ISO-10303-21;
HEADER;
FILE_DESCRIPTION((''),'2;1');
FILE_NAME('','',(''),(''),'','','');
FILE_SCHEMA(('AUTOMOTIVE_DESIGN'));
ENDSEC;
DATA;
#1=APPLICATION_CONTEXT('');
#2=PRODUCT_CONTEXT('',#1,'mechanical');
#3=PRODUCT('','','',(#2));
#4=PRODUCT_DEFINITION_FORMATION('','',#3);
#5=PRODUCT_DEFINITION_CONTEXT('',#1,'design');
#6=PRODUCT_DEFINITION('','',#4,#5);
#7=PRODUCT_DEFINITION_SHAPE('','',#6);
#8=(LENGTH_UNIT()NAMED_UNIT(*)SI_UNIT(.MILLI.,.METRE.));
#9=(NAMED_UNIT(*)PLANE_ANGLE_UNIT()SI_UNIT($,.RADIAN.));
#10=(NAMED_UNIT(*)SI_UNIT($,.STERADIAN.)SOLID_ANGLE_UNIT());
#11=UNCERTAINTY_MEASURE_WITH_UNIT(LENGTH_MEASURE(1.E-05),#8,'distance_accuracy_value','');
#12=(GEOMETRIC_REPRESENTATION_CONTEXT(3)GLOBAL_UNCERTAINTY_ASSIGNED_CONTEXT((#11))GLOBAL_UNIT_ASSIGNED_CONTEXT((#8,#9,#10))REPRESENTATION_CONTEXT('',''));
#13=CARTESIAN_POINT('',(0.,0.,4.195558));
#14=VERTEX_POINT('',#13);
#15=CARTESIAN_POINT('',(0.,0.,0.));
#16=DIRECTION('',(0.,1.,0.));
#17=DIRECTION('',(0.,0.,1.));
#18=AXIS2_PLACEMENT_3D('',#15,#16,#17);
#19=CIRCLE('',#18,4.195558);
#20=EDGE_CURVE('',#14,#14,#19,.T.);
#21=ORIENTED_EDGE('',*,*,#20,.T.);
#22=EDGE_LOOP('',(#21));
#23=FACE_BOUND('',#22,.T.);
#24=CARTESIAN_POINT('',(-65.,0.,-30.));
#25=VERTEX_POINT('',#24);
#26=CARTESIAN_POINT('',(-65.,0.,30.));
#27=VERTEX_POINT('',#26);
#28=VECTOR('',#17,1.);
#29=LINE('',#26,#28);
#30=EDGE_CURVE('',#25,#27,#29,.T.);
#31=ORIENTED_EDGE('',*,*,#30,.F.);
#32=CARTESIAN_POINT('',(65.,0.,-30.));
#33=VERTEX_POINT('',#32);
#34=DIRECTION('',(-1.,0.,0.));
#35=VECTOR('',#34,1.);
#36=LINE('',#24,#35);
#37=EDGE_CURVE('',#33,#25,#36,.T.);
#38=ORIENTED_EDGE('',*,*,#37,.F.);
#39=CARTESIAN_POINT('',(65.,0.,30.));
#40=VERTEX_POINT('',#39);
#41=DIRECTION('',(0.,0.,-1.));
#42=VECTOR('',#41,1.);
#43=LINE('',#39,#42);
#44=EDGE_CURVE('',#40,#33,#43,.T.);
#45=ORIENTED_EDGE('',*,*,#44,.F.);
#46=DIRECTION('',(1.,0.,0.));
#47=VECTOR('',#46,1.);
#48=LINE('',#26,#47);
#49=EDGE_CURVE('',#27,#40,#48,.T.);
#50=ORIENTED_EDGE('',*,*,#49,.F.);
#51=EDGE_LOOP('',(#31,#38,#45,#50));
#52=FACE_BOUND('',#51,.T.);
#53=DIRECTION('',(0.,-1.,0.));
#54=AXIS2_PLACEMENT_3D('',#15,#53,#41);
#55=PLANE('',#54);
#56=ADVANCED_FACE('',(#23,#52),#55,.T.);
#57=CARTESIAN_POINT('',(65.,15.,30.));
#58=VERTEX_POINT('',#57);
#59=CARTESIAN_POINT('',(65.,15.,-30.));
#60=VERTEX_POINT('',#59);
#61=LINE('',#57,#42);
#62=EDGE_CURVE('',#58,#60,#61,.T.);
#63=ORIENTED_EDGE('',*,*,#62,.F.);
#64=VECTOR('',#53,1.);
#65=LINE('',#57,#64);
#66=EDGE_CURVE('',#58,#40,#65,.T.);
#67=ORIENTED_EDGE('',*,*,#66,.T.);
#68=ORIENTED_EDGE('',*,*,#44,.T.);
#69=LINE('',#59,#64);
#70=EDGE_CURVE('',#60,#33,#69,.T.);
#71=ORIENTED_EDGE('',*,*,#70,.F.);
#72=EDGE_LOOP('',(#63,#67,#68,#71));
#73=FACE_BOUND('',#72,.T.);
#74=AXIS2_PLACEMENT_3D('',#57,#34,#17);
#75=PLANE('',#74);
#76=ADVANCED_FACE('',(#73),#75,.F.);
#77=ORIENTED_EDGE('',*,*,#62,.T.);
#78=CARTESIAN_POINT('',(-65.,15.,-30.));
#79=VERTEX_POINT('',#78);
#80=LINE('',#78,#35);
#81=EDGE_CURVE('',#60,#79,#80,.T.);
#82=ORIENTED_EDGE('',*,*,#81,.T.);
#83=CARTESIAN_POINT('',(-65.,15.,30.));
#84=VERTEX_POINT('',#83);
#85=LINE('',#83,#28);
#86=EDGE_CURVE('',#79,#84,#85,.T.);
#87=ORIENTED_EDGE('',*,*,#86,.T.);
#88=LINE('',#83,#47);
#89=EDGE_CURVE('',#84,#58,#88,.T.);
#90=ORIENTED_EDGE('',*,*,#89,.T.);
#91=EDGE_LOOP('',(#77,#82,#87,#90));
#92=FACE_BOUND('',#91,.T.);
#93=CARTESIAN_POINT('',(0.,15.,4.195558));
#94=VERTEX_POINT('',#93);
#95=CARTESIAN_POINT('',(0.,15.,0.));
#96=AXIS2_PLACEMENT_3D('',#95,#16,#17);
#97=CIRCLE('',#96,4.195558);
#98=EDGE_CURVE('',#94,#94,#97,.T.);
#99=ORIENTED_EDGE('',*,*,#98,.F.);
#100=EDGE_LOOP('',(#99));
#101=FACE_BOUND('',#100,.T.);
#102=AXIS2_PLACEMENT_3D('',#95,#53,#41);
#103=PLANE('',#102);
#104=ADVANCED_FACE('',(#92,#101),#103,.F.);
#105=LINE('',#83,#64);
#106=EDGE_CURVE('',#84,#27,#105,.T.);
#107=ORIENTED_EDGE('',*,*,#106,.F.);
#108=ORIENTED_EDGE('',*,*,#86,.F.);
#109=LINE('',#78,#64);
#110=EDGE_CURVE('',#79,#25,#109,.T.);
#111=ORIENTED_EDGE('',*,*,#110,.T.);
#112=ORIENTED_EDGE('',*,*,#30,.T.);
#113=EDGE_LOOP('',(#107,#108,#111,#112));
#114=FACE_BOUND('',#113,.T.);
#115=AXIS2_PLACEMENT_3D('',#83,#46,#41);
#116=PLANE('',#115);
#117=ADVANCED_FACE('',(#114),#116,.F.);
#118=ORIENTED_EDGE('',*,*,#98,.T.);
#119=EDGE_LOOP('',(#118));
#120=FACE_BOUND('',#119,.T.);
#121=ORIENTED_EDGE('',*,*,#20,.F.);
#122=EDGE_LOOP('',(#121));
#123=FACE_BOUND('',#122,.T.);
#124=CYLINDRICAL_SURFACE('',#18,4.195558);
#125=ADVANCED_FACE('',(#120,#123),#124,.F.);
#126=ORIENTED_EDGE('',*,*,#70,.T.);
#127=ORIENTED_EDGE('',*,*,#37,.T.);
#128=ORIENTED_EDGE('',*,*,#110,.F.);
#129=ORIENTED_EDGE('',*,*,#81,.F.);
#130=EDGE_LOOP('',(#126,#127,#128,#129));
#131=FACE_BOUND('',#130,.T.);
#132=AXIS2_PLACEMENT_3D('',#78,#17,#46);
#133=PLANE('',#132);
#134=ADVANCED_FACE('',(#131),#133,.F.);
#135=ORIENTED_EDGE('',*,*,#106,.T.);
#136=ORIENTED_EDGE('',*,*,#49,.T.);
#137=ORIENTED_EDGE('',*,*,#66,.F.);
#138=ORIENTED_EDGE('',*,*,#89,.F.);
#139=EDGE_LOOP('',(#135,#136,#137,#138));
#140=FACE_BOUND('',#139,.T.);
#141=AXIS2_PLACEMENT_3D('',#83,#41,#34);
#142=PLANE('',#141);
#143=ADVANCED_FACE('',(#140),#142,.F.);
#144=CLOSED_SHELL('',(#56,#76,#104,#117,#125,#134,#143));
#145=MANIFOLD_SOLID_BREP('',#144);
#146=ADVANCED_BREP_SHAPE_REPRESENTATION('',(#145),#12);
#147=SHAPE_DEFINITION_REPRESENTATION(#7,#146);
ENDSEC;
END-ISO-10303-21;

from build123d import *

# Parameters (mm, degrees)
SKETCH1_W           = 130
SKETCH1_H           = 60
BOSS_EXTRUDE1_DEPTH = 15
SKETCH2_R           = 4.195557584
CUT_EXTRUDE1_DEPTH  = 74.143694192


with BuildPart() as part:
    # Sketch1 → Boss-Extrude1 (new body)
    with BuildSketch(Plane(origin=(0, 0, 0), x_dir=(1, 0, 0), z_dir=(0, 1, 0))):
        Rectangle(SKETCH1_W, SKETCH1_H)
    extrude(amount=BOSS_EXTRUDE1_DEPTH)

    # Sketch2 → Cut-Extrude1 (cut, through all)
    with BuildSketch(Plane(origin=(0, 15, 0), x_dir=(1, 0, 0), z_dir=(0, 1, 0))):
        with Locations(Location((0, 0, 0), (0, 0, 270))):
            Circle(SKETCH2_R)
    extrude(amount=-CUT_EXTRUDE1_DEPTH, mode=Mode.SUBTRACT)


solid = part.part
